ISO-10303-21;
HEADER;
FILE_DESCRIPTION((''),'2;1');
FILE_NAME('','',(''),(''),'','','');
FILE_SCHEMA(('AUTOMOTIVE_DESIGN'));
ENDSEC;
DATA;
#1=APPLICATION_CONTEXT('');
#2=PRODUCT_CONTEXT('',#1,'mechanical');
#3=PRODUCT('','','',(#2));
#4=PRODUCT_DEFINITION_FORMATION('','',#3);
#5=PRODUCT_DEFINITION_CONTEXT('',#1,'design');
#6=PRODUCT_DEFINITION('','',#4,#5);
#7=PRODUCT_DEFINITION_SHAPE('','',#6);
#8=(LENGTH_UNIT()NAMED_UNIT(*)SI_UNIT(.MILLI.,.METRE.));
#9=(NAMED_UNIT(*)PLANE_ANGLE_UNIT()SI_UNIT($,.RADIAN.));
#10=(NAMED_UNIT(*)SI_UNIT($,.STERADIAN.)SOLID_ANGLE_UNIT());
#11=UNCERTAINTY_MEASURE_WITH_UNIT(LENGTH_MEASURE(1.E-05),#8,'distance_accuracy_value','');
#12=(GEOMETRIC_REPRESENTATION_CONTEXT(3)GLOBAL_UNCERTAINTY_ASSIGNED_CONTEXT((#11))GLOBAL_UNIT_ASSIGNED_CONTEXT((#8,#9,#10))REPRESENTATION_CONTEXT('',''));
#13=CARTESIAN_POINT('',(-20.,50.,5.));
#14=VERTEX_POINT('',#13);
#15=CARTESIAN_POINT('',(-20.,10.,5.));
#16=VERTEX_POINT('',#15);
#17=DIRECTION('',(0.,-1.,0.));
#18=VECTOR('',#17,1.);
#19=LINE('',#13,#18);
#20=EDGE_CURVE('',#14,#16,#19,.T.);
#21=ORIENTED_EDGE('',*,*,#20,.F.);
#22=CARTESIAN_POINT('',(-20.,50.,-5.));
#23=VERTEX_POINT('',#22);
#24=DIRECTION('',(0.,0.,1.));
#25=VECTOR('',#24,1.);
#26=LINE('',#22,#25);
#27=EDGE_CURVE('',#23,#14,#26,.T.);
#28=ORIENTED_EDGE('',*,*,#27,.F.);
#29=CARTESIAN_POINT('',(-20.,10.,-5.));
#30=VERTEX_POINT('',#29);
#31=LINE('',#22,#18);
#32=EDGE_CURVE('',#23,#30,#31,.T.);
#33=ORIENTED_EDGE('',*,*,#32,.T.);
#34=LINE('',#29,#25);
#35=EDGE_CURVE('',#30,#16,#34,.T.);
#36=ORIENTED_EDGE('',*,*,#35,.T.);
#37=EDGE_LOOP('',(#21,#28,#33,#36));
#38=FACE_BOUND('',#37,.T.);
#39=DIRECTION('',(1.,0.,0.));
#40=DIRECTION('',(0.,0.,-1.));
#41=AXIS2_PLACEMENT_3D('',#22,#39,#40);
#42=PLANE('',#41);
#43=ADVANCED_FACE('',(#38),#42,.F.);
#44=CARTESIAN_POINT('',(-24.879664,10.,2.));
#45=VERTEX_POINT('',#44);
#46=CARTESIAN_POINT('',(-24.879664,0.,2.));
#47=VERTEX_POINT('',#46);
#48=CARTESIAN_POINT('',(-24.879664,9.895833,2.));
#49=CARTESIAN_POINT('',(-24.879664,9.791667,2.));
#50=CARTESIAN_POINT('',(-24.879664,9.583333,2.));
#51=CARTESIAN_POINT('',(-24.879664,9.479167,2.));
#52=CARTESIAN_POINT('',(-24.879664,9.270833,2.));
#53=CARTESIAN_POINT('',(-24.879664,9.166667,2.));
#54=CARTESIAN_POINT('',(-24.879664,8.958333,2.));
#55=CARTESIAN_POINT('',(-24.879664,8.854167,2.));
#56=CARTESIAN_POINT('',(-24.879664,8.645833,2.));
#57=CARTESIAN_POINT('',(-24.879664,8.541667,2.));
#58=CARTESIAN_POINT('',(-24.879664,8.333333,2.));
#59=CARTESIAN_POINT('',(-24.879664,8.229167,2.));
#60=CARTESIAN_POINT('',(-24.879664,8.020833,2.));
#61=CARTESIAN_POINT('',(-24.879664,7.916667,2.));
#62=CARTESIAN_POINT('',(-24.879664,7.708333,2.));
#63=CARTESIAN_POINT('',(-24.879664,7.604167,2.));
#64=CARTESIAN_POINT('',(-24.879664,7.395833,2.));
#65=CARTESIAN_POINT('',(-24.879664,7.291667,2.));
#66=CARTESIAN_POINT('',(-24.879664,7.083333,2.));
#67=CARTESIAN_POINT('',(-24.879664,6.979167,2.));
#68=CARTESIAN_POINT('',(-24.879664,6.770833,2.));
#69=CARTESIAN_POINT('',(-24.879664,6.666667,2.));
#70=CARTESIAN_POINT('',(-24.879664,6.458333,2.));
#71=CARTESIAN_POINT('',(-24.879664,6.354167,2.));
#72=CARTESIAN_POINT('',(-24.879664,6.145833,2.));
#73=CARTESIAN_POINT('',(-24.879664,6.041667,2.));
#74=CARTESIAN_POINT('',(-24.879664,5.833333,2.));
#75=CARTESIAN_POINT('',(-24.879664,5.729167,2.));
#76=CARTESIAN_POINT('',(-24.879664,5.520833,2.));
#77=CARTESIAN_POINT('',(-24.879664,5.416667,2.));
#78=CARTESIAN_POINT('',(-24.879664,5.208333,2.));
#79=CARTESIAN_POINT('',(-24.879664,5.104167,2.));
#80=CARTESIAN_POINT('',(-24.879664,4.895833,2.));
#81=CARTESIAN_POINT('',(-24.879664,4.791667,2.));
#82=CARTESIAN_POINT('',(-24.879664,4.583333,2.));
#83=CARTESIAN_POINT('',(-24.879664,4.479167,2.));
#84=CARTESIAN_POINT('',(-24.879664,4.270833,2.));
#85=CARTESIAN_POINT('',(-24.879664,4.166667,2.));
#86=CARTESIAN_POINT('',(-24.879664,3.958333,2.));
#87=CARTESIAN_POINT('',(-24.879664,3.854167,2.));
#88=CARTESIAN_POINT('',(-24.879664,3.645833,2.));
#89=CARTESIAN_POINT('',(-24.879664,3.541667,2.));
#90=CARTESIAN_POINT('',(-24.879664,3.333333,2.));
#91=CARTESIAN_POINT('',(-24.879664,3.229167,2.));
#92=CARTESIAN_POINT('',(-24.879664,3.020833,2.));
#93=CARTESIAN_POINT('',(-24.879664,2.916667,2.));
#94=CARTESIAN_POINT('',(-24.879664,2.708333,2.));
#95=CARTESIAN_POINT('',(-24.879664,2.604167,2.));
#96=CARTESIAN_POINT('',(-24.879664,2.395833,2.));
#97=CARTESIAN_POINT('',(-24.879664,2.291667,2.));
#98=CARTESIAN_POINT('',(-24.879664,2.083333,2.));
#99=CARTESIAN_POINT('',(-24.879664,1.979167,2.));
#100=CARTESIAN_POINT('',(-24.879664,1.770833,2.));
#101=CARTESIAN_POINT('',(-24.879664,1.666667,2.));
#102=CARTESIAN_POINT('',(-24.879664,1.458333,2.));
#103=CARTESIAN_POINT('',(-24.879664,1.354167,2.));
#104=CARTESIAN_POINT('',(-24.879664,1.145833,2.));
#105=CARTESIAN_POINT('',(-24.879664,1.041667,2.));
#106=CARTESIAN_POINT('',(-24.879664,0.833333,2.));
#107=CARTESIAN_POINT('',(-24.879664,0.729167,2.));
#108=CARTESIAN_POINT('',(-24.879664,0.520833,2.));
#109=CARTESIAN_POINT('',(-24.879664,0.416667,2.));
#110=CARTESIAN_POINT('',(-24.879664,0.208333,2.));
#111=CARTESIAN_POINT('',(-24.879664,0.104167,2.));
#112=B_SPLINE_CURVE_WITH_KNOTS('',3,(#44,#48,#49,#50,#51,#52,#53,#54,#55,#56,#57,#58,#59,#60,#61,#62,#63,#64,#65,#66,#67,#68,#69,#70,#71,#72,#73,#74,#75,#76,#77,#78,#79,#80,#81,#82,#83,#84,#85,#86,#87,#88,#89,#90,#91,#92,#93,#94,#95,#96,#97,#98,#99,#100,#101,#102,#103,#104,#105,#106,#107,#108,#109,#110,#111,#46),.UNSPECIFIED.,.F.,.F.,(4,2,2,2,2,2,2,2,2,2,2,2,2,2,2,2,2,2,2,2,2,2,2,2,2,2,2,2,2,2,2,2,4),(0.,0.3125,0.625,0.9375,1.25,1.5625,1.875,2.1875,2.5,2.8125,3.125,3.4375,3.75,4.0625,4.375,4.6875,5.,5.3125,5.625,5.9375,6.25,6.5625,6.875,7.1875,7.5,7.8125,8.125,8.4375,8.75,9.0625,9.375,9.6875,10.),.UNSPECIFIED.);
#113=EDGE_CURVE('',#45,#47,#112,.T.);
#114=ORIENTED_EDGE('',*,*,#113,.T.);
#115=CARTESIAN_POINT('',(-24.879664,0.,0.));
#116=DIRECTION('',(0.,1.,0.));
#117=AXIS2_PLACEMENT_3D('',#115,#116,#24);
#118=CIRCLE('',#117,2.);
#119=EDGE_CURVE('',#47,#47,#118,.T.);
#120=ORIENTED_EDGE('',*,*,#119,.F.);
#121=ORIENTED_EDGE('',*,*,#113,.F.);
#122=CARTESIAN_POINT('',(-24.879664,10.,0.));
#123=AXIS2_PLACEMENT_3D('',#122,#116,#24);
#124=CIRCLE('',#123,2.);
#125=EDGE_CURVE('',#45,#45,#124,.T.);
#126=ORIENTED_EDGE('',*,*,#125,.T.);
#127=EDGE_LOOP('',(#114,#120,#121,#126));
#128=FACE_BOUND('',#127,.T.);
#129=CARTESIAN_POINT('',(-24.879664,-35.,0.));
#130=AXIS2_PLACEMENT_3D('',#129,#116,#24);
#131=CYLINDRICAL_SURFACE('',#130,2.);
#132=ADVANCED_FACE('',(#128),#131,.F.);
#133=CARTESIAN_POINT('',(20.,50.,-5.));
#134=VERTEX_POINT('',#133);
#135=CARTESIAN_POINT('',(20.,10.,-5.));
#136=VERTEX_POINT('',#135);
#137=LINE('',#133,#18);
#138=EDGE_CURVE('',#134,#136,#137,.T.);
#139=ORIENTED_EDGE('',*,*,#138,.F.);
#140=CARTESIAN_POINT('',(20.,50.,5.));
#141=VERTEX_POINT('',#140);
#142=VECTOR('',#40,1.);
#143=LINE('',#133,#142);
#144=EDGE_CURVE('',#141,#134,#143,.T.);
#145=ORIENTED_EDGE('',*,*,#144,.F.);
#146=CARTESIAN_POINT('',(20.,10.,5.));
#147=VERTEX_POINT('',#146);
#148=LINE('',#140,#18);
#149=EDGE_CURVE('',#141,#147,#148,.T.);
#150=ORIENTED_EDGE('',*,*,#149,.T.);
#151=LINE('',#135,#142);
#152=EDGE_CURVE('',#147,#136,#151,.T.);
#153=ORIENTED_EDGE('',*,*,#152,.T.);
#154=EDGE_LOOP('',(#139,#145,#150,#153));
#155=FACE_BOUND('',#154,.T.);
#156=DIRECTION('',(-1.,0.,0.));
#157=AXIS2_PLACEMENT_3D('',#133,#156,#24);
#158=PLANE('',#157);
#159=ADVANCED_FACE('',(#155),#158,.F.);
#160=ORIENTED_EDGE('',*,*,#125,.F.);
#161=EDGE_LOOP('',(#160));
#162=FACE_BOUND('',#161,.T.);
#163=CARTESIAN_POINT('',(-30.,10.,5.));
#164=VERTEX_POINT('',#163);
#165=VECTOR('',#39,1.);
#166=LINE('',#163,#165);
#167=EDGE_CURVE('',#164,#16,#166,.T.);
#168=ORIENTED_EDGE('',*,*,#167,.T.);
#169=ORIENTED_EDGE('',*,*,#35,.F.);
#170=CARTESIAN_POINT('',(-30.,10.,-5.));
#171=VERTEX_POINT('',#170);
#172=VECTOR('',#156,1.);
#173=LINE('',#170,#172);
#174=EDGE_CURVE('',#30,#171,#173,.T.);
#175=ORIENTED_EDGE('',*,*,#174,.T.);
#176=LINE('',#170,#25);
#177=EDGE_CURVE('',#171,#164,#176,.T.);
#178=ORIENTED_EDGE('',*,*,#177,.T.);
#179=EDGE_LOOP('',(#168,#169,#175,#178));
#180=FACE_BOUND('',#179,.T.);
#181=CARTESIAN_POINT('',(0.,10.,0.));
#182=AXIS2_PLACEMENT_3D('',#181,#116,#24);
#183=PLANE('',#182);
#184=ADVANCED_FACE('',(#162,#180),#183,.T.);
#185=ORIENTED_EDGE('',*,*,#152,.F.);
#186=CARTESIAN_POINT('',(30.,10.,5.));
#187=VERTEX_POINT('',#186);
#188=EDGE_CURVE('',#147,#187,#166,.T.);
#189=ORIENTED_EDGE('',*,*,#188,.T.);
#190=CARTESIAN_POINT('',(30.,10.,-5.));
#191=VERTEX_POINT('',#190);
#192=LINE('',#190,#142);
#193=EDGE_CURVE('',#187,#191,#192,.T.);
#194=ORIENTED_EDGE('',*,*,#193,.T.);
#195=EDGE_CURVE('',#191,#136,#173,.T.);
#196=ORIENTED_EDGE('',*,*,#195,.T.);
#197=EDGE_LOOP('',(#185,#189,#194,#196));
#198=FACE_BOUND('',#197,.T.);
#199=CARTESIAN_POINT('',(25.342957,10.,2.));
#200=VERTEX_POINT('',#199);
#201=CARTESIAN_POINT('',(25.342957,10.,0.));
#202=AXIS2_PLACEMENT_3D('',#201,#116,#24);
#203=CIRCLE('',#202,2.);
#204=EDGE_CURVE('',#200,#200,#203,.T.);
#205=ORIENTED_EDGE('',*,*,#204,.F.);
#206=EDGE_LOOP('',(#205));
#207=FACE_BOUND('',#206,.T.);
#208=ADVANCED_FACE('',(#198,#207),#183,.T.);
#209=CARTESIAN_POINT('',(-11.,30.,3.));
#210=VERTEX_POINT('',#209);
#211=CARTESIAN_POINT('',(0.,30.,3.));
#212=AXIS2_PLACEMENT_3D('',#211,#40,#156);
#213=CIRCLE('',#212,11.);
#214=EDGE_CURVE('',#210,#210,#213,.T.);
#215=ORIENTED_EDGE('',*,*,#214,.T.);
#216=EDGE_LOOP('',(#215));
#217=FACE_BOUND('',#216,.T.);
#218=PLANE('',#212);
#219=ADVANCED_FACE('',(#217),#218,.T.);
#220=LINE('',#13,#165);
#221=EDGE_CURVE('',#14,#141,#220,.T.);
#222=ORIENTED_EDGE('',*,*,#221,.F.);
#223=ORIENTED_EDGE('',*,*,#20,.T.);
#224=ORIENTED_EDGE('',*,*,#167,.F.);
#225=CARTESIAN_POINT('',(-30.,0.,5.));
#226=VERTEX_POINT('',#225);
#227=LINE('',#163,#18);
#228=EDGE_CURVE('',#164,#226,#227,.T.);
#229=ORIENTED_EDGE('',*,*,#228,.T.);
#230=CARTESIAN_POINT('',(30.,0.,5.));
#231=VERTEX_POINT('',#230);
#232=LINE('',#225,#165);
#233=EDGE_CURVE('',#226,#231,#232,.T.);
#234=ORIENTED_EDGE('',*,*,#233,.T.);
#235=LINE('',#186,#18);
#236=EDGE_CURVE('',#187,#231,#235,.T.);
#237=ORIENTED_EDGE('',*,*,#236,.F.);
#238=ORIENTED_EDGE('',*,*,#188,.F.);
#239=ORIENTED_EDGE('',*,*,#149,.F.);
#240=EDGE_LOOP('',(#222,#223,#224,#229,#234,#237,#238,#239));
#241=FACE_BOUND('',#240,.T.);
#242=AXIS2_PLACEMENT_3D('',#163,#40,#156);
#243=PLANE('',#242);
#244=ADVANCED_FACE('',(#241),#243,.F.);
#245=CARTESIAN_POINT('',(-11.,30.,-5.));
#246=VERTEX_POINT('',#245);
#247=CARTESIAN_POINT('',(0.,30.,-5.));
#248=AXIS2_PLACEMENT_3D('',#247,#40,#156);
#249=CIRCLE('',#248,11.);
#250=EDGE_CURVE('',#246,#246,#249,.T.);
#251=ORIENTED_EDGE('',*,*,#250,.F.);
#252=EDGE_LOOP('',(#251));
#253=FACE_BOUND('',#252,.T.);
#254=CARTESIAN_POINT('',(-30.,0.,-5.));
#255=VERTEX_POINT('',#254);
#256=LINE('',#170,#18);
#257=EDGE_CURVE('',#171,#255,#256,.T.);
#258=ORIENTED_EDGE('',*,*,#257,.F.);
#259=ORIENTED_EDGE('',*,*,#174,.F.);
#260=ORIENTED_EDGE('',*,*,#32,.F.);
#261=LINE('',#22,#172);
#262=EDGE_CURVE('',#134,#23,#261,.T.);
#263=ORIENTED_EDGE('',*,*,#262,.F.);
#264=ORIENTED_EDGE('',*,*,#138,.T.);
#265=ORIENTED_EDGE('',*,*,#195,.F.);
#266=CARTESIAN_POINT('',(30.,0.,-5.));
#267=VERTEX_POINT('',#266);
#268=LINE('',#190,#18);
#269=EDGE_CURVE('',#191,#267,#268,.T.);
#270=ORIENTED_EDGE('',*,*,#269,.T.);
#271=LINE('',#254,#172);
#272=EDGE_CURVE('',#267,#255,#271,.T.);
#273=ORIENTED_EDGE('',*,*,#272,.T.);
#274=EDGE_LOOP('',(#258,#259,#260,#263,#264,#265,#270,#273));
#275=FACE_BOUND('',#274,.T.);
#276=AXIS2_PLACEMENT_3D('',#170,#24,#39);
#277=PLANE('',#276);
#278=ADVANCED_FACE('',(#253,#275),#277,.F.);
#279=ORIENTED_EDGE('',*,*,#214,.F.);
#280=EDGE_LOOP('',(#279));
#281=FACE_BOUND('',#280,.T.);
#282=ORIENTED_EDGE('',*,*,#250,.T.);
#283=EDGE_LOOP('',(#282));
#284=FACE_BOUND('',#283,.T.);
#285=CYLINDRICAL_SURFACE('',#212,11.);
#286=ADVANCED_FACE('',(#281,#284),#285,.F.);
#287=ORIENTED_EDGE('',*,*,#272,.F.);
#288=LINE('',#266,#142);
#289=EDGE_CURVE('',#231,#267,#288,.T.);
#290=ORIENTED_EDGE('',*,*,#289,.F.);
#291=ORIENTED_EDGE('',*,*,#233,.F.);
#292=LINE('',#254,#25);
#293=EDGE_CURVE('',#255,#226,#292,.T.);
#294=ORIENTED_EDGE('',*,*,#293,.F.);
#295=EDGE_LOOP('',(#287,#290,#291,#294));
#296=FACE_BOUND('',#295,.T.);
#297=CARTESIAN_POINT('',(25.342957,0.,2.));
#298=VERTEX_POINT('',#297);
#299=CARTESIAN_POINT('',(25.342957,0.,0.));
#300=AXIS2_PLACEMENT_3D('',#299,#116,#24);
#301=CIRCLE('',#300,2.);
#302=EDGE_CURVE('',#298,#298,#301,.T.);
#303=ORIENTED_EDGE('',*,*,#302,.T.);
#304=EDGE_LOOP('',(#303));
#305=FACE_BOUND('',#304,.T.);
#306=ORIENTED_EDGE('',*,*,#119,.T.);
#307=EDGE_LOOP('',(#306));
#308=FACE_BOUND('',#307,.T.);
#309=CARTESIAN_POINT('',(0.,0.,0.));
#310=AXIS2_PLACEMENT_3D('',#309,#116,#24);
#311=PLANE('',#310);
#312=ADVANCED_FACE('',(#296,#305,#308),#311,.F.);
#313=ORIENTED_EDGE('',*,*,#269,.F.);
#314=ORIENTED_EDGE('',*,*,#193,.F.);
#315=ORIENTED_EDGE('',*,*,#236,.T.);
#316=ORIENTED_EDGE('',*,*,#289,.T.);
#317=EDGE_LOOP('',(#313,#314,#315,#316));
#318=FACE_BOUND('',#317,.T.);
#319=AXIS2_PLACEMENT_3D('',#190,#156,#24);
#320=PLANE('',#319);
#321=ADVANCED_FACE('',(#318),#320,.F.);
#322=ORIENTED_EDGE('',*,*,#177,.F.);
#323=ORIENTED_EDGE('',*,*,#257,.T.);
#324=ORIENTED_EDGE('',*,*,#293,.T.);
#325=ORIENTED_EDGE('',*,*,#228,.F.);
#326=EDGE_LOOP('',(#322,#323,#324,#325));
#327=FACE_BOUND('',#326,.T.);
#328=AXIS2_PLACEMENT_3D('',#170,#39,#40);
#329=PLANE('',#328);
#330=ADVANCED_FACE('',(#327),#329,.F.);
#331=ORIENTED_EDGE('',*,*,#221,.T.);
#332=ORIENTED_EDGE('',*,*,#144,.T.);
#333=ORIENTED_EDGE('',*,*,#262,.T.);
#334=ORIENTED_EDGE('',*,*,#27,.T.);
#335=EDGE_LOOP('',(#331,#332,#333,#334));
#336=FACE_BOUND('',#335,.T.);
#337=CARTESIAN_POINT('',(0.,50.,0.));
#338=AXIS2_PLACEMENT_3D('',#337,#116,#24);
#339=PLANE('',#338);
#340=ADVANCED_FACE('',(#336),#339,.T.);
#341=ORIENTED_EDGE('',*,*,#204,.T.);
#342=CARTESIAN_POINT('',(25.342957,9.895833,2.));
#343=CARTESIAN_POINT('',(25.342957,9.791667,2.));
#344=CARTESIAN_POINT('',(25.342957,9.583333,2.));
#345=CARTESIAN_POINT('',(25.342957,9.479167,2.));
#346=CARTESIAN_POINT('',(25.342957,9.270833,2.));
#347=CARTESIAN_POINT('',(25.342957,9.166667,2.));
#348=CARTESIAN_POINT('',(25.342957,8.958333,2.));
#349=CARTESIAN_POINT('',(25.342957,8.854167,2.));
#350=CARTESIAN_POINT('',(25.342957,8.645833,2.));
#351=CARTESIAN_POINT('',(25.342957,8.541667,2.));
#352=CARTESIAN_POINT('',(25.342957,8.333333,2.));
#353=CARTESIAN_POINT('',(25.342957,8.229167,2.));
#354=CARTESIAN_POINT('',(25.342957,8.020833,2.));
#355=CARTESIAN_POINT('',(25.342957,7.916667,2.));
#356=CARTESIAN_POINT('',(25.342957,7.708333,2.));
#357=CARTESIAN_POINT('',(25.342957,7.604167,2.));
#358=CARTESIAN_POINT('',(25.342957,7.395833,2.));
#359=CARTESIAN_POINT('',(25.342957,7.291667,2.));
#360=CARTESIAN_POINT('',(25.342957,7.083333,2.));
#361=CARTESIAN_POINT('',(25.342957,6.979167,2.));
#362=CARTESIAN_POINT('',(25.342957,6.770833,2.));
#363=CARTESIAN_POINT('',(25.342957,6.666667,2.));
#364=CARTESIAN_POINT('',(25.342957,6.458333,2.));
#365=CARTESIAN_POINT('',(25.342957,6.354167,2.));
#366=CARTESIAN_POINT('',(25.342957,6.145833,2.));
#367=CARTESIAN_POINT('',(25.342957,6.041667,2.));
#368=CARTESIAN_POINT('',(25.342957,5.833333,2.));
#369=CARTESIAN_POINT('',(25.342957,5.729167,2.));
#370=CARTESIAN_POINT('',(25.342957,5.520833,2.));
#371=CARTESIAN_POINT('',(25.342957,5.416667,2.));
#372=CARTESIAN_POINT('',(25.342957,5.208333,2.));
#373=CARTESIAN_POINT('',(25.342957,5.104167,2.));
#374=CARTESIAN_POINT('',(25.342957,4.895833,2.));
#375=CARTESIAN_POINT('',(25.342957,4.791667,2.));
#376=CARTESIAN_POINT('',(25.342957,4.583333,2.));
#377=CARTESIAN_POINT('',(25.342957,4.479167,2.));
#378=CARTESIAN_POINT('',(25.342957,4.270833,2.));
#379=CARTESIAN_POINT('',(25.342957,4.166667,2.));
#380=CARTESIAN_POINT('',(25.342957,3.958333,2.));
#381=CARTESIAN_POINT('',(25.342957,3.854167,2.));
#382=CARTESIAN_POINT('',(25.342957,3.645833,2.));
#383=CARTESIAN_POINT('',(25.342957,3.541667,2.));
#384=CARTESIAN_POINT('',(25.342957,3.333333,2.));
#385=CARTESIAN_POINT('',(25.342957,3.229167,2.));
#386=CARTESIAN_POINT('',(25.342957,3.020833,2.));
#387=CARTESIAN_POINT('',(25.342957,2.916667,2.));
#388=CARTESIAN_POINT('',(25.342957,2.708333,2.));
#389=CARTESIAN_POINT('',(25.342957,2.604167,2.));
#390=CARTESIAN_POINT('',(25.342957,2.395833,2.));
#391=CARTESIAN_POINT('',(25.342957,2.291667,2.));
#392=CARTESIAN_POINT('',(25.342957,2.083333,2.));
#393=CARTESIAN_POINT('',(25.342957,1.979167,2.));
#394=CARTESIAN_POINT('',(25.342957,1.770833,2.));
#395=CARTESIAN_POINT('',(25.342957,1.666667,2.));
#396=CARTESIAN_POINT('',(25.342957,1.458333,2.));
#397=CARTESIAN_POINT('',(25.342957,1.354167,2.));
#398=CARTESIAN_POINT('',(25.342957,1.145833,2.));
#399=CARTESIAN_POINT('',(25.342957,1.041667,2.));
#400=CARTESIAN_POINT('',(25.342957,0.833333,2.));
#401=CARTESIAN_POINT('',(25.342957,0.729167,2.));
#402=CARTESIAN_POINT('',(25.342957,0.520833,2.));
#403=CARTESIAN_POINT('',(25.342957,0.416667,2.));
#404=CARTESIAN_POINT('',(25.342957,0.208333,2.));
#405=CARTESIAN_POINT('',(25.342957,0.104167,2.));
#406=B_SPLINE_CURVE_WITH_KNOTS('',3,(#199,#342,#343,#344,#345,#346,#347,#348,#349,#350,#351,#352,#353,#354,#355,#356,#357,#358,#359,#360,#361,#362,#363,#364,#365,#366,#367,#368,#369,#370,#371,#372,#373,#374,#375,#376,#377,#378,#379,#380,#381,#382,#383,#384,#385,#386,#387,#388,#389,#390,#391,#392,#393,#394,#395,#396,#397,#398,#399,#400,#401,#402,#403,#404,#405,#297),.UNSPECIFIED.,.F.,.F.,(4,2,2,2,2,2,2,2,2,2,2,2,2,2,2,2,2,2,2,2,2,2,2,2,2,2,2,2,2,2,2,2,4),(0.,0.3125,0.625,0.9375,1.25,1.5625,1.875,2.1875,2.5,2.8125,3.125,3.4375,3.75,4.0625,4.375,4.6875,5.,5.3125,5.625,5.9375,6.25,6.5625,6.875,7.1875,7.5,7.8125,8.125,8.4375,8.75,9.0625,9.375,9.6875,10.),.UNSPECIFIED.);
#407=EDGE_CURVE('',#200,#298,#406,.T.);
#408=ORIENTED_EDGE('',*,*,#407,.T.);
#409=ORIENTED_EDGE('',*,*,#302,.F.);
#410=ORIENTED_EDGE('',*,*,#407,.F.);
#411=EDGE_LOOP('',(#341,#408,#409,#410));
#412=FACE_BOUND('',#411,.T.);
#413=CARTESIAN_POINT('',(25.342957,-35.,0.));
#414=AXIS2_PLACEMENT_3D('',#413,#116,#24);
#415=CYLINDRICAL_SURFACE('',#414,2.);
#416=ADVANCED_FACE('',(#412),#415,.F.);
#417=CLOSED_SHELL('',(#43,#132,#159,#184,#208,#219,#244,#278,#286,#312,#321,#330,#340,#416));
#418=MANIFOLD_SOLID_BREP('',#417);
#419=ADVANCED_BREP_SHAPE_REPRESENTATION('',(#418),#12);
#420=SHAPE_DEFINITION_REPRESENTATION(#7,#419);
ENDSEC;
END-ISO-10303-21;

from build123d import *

# Parameters (mm, degrees)
SKETCH1_W           = 60
SKETCH1_H           = 10
BOSS_EXTRUDE1_DEPTH = 10
SKETCH2_W           = 40
SKETCH2_H           = 10
BOSS_EXTRUDE2_DEPTH = 40
SKETCH3_R           = 11
CUT_EXTRUDE1_DEPTH  = 8
SKETCH5_R           = 2
CUT_EXTRUDE2_DEPTH  = 45


with BuildPart() as part:
    # Sketch1 → Boss-Extrude1 (new body)
    with BuildSketch(Plane(origin=(0, 0, 0), x_dir=(1, 0, 0), z_dir=(0, 1, 0))):
        Rectangle(SKETCH1_W, SKETCH1_H)
    extrude(amount=BOSS_EXTRUDE1_DEPTH)

    # Sketch2 → Boss-Extrude2 (add)
    with BuildSketch(Plane(origin=(0, 10, 0), x_dir=(1, 0, 0), z_dir=(0, 1, 0))):
        Rectangle(SKETCH2_W, SKETCH2_H)
    extrude(amount=BOSS_EXTRUDE2_DEPTH)

    # Sketch3 → Cut-Extrude1 (cut)
    with BuildSketch(Plane(origin=(0, 0, -5), x_dir=(-1, 0, 0), z_dir=(0, 0, -1))):
        with Locations((0, 30)):
            Circle(SKETCH3_R)
    extrude(amount=-CUT_EXTRUDE1_DEPTH, mode=Mode.SUBTRACT)

    # Sketch5 → Cut-Extrude2 (cut)
    with BuildSketch(Plane(origin=(0, 10, 0), x_dir=(1, 0, 0), z_dir=(0, 1, 0))):
        with Locations(Location((-24.879663673, 0, 0), (0, 0, 270))):
            Circle(SKETCH5_R)
        with Locations(Location((25.342956813, 0, 0), (0, 0, 270))):
            Circle(SKETCH5_R)
    extrude(amount=-CUT_EXTRUDE2_DEPTH, mode=Mode.SUBTRACT)


solid = part.part
